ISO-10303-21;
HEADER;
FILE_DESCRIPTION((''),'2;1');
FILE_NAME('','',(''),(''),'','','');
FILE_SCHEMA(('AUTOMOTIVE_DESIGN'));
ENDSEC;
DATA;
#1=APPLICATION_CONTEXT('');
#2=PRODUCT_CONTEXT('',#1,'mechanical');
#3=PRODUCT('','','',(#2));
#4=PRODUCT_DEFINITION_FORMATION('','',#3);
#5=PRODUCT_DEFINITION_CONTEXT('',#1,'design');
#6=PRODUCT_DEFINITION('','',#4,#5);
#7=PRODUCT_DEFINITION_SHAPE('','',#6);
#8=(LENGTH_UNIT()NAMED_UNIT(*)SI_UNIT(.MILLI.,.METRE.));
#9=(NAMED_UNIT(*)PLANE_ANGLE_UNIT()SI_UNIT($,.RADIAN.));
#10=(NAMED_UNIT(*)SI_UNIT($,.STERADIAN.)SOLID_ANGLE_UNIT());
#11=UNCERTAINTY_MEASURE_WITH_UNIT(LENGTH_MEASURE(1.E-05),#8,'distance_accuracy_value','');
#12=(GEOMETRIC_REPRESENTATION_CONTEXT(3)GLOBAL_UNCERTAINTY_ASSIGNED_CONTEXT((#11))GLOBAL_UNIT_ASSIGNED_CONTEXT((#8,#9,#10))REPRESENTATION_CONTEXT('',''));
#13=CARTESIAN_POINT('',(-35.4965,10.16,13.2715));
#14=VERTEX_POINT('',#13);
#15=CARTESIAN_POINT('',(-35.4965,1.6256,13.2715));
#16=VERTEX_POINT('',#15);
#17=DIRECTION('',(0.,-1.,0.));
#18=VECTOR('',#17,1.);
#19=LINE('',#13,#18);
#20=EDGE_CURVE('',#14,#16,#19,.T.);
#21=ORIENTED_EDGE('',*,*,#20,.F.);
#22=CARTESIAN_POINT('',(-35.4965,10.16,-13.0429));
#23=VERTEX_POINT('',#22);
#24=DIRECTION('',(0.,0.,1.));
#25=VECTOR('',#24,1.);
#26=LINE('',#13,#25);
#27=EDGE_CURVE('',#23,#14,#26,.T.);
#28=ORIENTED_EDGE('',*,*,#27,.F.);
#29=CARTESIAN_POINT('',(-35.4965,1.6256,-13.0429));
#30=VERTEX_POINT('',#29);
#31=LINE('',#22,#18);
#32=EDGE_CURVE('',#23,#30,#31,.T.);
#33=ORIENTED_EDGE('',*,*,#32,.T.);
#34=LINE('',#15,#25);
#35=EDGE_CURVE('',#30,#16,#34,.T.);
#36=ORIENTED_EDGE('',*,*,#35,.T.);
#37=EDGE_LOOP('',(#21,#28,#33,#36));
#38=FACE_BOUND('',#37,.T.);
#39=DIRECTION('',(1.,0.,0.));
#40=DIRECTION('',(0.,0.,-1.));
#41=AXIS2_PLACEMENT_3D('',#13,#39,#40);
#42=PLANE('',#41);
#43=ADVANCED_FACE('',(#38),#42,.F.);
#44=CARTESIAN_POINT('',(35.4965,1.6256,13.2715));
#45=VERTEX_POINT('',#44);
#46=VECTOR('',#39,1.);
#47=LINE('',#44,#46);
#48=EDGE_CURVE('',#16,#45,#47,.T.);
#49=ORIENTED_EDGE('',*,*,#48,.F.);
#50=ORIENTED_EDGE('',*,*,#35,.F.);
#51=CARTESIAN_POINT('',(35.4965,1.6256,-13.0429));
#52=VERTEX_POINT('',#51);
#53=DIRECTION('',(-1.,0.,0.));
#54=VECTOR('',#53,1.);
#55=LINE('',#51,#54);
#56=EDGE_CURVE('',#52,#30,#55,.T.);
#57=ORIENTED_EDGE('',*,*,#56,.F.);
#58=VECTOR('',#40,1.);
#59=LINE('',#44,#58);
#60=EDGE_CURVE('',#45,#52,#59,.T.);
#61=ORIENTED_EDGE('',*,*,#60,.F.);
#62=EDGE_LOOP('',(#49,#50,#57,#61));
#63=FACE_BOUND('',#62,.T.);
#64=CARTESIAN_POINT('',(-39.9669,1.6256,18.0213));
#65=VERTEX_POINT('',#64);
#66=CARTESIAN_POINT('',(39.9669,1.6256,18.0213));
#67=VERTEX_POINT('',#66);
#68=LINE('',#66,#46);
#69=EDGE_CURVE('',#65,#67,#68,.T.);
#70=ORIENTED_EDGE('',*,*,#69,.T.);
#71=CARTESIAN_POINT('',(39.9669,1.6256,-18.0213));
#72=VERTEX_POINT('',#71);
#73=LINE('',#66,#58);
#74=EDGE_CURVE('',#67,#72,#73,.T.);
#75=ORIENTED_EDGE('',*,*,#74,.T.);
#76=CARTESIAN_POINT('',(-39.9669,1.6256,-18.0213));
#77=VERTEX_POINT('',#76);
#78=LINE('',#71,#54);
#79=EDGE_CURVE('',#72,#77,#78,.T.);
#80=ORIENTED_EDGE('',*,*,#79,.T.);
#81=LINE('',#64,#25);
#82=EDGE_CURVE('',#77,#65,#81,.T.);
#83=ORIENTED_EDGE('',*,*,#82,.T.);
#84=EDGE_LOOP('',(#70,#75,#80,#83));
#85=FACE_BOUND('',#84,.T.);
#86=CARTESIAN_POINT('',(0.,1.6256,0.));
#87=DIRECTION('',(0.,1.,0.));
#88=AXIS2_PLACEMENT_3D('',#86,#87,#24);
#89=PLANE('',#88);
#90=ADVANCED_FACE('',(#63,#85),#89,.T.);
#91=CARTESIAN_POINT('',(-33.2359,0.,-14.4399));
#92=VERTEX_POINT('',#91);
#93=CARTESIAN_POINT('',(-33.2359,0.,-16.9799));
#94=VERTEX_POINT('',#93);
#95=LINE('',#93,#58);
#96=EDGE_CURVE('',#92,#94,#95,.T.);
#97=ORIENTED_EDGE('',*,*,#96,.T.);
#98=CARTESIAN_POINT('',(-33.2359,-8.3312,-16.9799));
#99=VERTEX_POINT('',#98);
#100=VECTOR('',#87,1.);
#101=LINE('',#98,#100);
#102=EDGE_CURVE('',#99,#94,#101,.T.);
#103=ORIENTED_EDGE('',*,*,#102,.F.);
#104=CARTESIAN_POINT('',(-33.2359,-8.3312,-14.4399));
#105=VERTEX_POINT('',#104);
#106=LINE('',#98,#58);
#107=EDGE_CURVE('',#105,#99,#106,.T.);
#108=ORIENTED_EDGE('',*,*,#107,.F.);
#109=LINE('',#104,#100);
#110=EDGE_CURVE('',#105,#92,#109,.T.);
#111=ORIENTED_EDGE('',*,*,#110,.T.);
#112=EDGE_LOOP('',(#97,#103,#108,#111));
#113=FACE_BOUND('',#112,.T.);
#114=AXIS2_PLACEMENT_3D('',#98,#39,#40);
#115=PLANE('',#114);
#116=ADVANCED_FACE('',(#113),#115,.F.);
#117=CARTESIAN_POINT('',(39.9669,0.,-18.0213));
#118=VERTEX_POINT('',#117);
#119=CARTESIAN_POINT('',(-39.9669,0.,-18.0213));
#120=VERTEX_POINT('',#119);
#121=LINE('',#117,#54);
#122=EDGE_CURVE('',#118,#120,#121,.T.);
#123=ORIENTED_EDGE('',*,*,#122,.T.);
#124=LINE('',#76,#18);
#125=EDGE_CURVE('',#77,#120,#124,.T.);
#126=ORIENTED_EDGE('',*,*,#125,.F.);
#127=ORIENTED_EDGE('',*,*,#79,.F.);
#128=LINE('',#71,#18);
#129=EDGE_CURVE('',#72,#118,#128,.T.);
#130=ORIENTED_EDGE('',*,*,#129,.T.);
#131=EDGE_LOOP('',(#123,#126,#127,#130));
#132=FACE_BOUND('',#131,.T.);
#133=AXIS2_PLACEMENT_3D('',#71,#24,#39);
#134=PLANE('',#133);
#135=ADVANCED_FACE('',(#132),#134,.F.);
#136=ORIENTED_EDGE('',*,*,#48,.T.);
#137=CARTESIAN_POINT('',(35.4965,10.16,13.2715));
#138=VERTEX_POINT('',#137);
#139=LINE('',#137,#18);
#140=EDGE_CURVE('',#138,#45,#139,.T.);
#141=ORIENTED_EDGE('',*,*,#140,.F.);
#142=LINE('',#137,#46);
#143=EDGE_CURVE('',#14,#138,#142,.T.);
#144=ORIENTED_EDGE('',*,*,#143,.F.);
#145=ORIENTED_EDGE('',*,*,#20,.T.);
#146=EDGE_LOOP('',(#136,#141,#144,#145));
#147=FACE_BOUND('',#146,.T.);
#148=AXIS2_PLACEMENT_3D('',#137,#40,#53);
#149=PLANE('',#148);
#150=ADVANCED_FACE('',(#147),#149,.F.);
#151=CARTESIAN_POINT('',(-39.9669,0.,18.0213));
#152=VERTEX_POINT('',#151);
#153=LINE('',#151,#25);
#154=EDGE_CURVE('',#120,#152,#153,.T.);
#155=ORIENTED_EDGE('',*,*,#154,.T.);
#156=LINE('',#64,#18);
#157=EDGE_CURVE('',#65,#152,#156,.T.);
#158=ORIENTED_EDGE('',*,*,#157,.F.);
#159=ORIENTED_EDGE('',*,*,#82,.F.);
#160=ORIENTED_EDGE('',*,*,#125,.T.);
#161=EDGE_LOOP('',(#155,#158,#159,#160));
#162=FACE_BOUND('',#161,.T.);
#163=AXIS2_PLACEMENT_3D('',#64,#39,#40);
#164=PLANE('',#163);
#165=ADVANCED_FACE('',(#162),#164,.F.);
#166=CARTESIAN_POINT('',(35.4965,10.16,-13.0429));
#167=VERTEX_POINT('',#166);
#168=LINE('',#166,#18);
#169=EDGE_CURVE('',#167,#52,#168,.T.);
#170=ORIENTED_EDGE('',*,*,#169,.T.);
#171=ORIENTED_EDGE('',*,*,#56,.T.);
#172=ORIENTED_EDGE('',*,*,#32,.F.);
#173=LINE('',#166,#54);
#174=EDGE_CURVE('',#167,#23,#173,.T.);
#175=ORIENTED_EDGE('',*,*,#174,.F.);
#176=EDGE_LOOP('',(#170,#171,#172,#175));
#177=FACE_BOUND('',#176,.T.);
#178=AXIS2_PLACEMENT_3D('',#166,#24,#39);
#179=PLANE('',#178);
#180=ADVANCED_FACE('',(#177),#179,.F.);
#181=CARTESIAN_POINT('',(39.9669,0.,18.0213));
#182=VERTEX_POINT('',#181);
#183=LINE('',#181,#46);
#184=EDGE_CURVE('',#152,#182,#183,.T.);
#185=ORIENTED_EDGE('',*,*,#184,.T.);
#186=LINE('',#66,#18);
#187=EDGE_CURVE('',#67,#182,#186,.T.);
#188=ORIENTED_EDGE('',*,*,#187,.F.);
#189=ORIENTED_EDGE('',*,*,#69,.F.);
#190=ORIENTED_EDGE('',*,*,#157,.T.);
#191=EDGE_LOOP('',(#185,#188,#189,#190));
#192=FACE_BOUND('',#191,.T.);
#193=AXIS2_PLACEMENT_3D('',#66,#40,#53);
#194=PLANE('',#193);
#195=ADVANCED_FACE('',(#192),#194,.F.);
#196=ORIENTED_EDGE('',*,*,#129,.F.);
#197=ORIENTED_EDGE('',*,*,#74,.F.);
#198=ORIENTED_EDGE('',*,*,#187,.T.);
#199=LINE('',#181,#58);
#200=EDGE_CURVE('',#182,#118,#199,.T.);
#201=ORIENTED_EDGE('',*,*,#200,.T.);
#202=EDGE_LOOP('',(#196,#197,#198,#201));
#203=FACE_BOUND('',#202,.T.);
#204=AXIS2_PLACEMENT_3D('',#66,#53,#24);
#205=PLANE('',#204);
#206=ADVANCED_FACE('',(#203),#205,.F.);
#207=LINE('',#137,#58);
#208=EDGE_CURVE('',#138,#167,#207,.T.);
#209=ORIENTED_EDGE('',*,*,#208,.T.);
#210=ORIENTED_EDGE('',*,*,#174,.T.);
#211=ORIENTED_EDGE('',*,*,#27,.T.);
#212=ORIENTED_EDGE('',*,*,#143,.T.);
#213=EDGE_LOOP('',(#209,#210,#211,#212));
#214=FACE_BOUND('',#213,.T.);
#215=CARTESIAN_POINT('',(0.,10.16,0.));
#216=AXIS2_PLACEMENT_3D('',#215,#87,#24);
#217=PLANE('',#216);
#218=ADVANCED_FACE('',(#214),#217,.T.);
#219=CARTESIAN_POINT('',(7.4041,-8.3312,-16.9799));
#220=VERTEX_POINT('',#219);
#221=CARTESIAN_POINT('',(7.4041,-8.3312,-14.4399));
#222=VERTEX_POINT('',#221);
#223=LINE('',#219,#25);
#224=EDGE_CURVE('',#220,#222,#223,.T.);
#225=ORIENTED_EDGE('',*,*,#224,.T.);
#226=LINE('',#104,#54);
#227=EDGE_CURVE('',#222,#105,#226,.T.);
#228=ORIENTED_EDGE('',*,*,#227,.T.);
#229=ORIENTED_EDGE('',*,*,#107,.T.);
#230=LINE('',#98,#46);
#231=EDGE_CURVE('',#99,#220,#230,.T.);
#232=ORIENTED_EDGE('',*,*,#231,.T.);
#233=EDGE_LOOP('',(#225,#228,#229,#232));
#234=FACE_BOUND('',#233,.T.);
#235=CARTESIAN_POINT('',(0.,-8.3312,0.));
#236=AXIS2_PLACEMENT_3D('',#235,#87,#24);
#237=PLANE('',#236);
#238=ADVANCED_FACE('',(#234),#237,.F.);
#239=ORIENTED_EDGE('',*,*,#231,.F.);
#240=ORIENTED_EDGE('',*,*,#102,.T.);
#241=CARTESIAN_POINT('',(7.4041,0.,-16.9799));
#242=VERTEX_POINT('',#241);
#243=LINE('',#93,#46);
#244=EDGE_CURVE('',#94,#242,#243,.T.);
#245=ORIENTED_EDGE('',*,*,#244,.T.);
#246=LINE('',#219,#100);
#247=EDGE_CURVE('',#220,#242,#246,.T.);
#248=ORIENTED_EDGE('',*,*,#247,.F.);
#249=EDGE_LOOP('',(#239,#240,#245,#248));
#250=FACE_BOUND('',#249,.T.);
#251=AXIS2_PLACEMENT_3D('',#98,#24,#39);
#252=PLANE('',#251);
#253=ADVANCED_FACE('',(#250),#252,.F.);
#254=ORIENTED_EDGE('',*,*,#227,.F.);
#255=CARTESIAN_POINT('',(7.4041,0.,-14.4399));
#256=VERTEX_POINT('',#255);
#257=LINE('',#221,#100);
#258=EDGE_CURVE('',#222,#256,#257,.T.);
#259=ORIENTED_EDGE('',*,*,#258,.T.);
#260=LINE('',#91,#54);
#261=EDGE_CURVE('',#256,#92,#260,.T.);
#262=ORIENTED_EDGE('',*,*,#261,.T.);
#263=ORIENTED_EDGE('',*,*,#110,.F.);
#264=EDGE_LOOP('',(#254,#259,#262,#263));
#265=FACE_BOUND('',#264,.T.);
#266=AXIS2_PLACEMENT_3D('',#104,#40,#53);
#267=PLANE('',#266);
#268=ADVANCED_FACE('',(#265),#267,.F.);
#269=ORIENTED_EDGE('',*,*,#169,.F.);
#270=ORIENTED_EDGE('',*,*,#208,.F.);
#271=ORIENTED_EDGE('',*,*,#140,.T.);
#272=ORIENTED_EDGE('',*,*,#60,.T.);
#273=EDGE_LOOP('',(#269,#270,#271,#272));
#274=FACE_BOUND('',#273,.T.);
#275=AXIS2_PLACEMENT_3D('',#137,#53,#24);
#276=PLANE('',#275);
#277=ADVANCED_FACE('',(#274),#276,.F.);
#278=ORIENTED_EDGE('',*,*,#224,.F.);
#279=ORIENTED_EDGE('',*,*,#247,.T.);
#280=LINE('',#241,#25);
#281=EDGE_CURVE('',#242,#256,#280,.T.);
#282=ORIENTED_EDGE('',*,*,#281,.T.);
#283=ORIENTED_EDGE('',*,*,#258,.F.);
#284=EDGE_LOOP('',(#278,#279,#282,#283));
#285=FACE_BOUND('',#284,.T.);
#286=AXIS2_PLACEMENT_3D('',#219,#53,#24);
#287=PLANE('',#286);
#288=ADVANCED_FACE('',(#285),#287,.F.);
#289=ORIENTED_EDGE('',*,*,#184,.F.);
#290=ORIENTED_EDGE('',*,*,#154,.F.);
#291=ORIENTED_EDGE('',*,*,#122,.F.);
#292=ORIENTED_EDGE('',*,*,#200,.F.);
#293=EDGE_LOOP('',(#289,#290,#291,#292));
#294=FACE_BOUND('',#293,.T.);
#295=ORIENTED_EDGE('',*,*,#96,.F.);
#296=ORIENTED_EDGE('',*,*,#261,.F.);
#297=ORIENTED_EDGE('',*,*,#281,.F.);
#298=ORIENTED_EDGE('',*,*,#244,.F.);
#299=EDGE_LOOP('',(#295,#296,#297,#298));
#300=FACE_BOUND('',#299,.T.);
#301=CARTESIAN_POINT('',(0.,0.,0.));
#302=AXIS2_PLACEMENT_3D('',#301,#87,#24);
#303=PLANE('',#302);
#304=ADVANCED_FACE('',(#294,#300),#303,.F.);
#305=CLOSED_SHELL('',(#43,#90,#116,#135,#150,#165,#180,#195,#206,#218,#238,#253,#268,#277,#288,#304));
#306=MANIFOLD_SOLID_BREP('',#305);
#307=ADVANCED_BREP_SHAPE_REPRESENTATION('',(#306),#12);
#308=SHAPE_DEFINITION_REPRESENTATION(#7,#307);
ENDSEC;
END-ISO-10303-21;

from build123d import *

# Parameters (mm, degrees)
SKETCH1_W           = 79.9338
SKETCH1_H           = 36.0426
BOSS_EXTRUDE1_DEPTH = 1.6256
SKETCH2_W           = 70.993
SKETCH2_H           = 26.3144
BOSS_EXTRUDE2_DEPTH = 8.5344
SKETCH3_W           = 40.64
SKETCH3_H           = 2.54
BOSS_EXTRUDE3_DEPTH = 8.3312


with BuildPart() as part:
    # Sketch1 → Boss-Extrude1 (new body)
    with BuildSketch(Plane(origin=(0, 0, 0), x_dir=(1, 0, 0), z_dir=(0, 1, 0))):
        Rectangle(SKETCH1_W, SKETCH1_H)
    extrude(amount=BOSS_EXTRUDE1_DEPTH)

    # Sketch2 → Boss-Extrude2 (add)
    with BuildSketch(Plane(origin=(0, 1.6256, 0), x_dir=(1, 0, 0), z_dir=(0, 1, 0))):
        with Locations((0, -0.1143)):
            Rectangle(SKETCH2_W, SKETCH2_H)
    extrude(amount=BOSS_EXTRUDE2_DEPTH)

    # Sketch3 → Boss-Extrude3 (add)
    with BuildSketch(Plane.XZ):
        with Locations((-12.9159, -15.7099)):
            Rectangle(SKETCH3_W, SKETCH3_H)
    extrude(amount=BOSS_EXTRUDE3_DEPTH)


solid = part.part
